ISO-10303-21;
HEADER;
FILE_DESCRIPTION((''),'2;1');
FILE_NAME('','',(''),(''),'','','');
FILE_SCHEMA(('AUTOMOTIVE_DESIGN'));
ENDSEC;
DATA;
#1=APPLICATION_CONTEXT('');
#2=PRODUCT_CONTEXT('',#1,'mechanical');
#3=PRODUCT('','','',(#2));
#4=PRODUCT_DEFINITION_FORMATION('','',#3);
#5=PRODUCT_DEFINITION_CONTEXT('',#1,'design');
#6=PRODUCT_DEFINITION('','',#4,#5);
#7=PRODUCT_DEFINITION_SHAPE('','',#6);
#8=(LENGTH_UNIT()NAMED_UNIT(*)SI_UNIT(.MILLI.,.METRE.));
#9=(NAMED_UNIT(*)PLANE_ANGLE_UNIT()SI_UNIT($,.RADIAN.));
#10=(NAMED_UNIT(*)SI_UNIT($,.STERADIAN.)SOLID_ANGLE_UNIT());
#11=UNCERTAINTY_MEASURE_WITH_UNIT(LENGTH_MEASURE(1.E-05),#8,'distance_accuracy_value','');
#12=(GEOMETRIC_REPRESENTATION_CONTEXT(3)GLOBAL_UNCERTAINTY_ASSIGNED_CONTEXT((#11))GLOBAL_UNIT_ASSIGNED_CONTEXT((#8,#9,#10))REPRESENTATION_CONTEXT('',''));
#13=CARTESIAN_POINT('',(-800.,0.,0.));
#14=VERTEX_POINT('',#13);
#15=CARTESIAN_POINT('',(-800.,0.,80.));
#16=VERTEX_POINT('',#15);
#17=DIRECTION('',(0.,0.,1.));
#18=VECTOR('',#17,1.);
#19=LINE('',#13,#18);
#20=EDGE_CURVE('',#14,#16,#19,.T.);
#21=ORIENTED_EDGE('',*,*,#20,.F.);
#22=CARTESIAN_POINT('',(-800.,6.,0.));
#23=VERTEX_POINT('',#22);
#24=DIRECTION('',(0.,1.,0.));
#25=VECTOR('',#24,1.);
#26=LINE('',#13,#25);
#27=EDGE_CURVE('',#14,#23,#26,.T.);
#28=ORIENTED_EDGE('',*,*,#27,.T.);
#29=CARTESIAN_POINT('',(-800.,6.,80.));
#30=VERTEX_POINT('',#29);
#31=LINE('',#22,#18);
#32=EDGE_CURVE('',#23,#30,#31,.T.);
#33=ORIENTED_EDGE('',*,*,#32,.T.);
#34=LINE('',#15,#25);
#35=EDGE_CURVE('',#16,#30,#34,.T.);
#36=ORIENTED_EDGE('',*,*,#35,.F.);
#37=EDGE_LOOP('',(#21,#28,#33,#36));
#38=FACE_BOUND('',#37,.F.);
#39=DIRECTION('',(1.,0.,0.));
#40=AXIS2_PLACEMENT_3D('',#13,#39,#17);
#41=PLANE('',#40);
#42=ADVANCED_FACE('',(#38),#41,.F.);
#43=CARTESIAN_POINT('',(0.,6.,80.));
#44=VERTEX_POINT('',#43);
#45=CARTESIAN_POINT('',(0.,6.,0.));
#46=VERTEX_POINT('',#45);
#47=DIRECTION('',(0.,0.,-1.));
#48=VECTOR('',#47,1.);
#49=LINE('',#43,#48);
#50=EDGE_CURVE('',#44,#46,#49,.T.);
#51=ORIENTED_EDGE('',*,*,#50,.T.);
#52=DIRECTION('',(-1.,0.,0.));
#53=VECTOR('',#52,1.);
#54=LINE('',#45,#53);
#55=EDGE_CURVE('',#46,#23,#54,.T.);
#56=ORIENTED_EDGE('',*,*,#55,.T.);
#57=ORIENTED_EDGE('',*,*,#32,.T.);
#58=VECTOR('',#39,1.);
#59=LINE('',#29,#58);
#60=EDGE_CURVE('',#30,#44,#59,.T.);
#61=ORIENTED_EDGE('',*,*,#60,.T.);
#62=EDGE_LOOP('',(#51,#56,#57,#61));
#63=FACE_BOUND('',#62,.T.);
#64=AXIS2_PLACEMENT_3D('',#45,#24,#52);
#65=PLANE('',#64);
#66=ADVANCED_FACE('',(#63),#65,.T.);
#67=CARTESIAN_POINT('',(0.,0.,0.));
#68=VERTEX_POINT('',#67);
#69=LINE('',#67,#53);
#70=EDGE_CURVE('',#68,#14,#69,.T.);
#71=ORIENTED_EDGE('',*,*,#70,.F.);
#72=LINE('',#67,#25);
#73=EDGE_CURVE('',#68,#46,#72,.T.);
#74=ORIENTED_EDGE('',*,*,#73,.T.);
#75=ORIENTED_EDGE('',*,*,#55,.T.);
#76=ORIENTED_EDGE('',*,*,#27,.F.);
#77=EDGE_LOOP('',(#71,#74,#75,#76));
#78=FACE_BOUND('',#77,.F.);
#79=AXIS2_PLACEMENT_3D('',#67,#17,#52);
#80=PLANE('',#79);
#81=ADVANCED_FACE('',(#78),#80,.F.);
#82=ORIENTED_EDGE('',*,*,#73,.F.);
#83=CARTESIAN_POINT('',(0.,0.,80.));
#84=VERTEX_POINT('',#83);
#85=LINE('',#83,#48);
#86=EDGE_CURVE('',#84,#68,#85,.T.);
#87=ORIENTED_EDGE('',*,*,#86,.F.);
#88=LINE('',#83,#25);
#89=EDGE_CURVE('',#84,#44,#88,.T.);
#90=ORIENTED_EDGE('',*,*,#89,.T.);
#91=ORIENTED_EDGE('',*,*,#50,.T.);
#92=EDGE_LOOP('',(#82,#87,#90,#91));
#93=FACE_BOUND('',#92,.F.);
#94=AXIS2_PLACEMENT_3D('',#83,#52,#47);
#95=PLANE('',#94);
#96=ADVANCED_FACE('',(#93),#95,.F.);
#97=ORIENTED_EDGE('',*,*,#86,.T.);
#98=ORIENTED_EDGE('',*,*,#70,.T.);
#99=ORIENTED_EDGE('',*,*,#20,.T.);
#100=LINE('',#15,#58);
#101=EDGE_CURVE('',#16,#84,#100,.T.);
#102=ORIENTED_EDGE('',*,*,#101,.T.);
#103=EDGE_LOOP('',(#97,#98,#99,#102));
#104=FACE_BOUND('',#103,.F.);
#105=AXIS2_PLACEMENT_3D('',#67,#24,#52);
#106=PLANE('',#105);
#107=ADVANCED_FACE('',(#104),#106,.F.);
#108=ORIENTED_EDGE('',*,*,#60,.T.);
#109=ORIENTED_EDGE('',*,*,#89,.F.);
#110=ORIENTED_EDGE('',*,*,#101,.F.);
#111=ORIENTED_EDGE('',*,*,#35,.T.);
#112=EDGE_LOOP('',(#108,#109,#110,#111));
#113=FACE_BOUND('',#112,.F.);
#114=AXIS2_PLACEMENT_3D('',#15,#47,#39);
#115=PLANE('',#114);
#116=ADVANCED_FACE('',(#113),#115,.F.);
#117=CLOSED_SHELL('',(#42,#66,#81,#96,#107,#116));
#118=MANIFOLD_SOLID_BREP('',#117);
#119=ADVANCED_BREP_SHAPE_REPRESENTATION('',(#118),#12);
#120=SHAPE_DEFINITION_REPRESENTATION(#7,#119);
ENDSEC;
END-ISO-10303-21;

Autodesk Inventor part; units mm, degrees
ref_plane "YZ Plane" through (0, 0, 0) normal (1, 0, 0) x (0, 1, 0)
ref_plane "XZ Plane" through (0, 0, 0) normal (0, 1, 0) x (-1, 0, 0)
ref_plane "XY Plane" through (0, 0, 0) normal (0, 0, 1) x (1, 0, 0)
sketch "Sketch1" plane through (0, 0, 0) normal (0, 1, 0) x (-1, 0, 0)
  line L0 (0, 0) -> (800, 0)
  line L1 (800, 0) -> (800, 80)
  line L2 (800, 80) -> (0, 80)
  line L3 (0, 80) -> (0, 0)
  dimension "d0" = 80
  dimension "d1" = 800
extrude "Extrusion1" add sketch "Sketch1" along normal blind 6
properties part number "bed_wall"
